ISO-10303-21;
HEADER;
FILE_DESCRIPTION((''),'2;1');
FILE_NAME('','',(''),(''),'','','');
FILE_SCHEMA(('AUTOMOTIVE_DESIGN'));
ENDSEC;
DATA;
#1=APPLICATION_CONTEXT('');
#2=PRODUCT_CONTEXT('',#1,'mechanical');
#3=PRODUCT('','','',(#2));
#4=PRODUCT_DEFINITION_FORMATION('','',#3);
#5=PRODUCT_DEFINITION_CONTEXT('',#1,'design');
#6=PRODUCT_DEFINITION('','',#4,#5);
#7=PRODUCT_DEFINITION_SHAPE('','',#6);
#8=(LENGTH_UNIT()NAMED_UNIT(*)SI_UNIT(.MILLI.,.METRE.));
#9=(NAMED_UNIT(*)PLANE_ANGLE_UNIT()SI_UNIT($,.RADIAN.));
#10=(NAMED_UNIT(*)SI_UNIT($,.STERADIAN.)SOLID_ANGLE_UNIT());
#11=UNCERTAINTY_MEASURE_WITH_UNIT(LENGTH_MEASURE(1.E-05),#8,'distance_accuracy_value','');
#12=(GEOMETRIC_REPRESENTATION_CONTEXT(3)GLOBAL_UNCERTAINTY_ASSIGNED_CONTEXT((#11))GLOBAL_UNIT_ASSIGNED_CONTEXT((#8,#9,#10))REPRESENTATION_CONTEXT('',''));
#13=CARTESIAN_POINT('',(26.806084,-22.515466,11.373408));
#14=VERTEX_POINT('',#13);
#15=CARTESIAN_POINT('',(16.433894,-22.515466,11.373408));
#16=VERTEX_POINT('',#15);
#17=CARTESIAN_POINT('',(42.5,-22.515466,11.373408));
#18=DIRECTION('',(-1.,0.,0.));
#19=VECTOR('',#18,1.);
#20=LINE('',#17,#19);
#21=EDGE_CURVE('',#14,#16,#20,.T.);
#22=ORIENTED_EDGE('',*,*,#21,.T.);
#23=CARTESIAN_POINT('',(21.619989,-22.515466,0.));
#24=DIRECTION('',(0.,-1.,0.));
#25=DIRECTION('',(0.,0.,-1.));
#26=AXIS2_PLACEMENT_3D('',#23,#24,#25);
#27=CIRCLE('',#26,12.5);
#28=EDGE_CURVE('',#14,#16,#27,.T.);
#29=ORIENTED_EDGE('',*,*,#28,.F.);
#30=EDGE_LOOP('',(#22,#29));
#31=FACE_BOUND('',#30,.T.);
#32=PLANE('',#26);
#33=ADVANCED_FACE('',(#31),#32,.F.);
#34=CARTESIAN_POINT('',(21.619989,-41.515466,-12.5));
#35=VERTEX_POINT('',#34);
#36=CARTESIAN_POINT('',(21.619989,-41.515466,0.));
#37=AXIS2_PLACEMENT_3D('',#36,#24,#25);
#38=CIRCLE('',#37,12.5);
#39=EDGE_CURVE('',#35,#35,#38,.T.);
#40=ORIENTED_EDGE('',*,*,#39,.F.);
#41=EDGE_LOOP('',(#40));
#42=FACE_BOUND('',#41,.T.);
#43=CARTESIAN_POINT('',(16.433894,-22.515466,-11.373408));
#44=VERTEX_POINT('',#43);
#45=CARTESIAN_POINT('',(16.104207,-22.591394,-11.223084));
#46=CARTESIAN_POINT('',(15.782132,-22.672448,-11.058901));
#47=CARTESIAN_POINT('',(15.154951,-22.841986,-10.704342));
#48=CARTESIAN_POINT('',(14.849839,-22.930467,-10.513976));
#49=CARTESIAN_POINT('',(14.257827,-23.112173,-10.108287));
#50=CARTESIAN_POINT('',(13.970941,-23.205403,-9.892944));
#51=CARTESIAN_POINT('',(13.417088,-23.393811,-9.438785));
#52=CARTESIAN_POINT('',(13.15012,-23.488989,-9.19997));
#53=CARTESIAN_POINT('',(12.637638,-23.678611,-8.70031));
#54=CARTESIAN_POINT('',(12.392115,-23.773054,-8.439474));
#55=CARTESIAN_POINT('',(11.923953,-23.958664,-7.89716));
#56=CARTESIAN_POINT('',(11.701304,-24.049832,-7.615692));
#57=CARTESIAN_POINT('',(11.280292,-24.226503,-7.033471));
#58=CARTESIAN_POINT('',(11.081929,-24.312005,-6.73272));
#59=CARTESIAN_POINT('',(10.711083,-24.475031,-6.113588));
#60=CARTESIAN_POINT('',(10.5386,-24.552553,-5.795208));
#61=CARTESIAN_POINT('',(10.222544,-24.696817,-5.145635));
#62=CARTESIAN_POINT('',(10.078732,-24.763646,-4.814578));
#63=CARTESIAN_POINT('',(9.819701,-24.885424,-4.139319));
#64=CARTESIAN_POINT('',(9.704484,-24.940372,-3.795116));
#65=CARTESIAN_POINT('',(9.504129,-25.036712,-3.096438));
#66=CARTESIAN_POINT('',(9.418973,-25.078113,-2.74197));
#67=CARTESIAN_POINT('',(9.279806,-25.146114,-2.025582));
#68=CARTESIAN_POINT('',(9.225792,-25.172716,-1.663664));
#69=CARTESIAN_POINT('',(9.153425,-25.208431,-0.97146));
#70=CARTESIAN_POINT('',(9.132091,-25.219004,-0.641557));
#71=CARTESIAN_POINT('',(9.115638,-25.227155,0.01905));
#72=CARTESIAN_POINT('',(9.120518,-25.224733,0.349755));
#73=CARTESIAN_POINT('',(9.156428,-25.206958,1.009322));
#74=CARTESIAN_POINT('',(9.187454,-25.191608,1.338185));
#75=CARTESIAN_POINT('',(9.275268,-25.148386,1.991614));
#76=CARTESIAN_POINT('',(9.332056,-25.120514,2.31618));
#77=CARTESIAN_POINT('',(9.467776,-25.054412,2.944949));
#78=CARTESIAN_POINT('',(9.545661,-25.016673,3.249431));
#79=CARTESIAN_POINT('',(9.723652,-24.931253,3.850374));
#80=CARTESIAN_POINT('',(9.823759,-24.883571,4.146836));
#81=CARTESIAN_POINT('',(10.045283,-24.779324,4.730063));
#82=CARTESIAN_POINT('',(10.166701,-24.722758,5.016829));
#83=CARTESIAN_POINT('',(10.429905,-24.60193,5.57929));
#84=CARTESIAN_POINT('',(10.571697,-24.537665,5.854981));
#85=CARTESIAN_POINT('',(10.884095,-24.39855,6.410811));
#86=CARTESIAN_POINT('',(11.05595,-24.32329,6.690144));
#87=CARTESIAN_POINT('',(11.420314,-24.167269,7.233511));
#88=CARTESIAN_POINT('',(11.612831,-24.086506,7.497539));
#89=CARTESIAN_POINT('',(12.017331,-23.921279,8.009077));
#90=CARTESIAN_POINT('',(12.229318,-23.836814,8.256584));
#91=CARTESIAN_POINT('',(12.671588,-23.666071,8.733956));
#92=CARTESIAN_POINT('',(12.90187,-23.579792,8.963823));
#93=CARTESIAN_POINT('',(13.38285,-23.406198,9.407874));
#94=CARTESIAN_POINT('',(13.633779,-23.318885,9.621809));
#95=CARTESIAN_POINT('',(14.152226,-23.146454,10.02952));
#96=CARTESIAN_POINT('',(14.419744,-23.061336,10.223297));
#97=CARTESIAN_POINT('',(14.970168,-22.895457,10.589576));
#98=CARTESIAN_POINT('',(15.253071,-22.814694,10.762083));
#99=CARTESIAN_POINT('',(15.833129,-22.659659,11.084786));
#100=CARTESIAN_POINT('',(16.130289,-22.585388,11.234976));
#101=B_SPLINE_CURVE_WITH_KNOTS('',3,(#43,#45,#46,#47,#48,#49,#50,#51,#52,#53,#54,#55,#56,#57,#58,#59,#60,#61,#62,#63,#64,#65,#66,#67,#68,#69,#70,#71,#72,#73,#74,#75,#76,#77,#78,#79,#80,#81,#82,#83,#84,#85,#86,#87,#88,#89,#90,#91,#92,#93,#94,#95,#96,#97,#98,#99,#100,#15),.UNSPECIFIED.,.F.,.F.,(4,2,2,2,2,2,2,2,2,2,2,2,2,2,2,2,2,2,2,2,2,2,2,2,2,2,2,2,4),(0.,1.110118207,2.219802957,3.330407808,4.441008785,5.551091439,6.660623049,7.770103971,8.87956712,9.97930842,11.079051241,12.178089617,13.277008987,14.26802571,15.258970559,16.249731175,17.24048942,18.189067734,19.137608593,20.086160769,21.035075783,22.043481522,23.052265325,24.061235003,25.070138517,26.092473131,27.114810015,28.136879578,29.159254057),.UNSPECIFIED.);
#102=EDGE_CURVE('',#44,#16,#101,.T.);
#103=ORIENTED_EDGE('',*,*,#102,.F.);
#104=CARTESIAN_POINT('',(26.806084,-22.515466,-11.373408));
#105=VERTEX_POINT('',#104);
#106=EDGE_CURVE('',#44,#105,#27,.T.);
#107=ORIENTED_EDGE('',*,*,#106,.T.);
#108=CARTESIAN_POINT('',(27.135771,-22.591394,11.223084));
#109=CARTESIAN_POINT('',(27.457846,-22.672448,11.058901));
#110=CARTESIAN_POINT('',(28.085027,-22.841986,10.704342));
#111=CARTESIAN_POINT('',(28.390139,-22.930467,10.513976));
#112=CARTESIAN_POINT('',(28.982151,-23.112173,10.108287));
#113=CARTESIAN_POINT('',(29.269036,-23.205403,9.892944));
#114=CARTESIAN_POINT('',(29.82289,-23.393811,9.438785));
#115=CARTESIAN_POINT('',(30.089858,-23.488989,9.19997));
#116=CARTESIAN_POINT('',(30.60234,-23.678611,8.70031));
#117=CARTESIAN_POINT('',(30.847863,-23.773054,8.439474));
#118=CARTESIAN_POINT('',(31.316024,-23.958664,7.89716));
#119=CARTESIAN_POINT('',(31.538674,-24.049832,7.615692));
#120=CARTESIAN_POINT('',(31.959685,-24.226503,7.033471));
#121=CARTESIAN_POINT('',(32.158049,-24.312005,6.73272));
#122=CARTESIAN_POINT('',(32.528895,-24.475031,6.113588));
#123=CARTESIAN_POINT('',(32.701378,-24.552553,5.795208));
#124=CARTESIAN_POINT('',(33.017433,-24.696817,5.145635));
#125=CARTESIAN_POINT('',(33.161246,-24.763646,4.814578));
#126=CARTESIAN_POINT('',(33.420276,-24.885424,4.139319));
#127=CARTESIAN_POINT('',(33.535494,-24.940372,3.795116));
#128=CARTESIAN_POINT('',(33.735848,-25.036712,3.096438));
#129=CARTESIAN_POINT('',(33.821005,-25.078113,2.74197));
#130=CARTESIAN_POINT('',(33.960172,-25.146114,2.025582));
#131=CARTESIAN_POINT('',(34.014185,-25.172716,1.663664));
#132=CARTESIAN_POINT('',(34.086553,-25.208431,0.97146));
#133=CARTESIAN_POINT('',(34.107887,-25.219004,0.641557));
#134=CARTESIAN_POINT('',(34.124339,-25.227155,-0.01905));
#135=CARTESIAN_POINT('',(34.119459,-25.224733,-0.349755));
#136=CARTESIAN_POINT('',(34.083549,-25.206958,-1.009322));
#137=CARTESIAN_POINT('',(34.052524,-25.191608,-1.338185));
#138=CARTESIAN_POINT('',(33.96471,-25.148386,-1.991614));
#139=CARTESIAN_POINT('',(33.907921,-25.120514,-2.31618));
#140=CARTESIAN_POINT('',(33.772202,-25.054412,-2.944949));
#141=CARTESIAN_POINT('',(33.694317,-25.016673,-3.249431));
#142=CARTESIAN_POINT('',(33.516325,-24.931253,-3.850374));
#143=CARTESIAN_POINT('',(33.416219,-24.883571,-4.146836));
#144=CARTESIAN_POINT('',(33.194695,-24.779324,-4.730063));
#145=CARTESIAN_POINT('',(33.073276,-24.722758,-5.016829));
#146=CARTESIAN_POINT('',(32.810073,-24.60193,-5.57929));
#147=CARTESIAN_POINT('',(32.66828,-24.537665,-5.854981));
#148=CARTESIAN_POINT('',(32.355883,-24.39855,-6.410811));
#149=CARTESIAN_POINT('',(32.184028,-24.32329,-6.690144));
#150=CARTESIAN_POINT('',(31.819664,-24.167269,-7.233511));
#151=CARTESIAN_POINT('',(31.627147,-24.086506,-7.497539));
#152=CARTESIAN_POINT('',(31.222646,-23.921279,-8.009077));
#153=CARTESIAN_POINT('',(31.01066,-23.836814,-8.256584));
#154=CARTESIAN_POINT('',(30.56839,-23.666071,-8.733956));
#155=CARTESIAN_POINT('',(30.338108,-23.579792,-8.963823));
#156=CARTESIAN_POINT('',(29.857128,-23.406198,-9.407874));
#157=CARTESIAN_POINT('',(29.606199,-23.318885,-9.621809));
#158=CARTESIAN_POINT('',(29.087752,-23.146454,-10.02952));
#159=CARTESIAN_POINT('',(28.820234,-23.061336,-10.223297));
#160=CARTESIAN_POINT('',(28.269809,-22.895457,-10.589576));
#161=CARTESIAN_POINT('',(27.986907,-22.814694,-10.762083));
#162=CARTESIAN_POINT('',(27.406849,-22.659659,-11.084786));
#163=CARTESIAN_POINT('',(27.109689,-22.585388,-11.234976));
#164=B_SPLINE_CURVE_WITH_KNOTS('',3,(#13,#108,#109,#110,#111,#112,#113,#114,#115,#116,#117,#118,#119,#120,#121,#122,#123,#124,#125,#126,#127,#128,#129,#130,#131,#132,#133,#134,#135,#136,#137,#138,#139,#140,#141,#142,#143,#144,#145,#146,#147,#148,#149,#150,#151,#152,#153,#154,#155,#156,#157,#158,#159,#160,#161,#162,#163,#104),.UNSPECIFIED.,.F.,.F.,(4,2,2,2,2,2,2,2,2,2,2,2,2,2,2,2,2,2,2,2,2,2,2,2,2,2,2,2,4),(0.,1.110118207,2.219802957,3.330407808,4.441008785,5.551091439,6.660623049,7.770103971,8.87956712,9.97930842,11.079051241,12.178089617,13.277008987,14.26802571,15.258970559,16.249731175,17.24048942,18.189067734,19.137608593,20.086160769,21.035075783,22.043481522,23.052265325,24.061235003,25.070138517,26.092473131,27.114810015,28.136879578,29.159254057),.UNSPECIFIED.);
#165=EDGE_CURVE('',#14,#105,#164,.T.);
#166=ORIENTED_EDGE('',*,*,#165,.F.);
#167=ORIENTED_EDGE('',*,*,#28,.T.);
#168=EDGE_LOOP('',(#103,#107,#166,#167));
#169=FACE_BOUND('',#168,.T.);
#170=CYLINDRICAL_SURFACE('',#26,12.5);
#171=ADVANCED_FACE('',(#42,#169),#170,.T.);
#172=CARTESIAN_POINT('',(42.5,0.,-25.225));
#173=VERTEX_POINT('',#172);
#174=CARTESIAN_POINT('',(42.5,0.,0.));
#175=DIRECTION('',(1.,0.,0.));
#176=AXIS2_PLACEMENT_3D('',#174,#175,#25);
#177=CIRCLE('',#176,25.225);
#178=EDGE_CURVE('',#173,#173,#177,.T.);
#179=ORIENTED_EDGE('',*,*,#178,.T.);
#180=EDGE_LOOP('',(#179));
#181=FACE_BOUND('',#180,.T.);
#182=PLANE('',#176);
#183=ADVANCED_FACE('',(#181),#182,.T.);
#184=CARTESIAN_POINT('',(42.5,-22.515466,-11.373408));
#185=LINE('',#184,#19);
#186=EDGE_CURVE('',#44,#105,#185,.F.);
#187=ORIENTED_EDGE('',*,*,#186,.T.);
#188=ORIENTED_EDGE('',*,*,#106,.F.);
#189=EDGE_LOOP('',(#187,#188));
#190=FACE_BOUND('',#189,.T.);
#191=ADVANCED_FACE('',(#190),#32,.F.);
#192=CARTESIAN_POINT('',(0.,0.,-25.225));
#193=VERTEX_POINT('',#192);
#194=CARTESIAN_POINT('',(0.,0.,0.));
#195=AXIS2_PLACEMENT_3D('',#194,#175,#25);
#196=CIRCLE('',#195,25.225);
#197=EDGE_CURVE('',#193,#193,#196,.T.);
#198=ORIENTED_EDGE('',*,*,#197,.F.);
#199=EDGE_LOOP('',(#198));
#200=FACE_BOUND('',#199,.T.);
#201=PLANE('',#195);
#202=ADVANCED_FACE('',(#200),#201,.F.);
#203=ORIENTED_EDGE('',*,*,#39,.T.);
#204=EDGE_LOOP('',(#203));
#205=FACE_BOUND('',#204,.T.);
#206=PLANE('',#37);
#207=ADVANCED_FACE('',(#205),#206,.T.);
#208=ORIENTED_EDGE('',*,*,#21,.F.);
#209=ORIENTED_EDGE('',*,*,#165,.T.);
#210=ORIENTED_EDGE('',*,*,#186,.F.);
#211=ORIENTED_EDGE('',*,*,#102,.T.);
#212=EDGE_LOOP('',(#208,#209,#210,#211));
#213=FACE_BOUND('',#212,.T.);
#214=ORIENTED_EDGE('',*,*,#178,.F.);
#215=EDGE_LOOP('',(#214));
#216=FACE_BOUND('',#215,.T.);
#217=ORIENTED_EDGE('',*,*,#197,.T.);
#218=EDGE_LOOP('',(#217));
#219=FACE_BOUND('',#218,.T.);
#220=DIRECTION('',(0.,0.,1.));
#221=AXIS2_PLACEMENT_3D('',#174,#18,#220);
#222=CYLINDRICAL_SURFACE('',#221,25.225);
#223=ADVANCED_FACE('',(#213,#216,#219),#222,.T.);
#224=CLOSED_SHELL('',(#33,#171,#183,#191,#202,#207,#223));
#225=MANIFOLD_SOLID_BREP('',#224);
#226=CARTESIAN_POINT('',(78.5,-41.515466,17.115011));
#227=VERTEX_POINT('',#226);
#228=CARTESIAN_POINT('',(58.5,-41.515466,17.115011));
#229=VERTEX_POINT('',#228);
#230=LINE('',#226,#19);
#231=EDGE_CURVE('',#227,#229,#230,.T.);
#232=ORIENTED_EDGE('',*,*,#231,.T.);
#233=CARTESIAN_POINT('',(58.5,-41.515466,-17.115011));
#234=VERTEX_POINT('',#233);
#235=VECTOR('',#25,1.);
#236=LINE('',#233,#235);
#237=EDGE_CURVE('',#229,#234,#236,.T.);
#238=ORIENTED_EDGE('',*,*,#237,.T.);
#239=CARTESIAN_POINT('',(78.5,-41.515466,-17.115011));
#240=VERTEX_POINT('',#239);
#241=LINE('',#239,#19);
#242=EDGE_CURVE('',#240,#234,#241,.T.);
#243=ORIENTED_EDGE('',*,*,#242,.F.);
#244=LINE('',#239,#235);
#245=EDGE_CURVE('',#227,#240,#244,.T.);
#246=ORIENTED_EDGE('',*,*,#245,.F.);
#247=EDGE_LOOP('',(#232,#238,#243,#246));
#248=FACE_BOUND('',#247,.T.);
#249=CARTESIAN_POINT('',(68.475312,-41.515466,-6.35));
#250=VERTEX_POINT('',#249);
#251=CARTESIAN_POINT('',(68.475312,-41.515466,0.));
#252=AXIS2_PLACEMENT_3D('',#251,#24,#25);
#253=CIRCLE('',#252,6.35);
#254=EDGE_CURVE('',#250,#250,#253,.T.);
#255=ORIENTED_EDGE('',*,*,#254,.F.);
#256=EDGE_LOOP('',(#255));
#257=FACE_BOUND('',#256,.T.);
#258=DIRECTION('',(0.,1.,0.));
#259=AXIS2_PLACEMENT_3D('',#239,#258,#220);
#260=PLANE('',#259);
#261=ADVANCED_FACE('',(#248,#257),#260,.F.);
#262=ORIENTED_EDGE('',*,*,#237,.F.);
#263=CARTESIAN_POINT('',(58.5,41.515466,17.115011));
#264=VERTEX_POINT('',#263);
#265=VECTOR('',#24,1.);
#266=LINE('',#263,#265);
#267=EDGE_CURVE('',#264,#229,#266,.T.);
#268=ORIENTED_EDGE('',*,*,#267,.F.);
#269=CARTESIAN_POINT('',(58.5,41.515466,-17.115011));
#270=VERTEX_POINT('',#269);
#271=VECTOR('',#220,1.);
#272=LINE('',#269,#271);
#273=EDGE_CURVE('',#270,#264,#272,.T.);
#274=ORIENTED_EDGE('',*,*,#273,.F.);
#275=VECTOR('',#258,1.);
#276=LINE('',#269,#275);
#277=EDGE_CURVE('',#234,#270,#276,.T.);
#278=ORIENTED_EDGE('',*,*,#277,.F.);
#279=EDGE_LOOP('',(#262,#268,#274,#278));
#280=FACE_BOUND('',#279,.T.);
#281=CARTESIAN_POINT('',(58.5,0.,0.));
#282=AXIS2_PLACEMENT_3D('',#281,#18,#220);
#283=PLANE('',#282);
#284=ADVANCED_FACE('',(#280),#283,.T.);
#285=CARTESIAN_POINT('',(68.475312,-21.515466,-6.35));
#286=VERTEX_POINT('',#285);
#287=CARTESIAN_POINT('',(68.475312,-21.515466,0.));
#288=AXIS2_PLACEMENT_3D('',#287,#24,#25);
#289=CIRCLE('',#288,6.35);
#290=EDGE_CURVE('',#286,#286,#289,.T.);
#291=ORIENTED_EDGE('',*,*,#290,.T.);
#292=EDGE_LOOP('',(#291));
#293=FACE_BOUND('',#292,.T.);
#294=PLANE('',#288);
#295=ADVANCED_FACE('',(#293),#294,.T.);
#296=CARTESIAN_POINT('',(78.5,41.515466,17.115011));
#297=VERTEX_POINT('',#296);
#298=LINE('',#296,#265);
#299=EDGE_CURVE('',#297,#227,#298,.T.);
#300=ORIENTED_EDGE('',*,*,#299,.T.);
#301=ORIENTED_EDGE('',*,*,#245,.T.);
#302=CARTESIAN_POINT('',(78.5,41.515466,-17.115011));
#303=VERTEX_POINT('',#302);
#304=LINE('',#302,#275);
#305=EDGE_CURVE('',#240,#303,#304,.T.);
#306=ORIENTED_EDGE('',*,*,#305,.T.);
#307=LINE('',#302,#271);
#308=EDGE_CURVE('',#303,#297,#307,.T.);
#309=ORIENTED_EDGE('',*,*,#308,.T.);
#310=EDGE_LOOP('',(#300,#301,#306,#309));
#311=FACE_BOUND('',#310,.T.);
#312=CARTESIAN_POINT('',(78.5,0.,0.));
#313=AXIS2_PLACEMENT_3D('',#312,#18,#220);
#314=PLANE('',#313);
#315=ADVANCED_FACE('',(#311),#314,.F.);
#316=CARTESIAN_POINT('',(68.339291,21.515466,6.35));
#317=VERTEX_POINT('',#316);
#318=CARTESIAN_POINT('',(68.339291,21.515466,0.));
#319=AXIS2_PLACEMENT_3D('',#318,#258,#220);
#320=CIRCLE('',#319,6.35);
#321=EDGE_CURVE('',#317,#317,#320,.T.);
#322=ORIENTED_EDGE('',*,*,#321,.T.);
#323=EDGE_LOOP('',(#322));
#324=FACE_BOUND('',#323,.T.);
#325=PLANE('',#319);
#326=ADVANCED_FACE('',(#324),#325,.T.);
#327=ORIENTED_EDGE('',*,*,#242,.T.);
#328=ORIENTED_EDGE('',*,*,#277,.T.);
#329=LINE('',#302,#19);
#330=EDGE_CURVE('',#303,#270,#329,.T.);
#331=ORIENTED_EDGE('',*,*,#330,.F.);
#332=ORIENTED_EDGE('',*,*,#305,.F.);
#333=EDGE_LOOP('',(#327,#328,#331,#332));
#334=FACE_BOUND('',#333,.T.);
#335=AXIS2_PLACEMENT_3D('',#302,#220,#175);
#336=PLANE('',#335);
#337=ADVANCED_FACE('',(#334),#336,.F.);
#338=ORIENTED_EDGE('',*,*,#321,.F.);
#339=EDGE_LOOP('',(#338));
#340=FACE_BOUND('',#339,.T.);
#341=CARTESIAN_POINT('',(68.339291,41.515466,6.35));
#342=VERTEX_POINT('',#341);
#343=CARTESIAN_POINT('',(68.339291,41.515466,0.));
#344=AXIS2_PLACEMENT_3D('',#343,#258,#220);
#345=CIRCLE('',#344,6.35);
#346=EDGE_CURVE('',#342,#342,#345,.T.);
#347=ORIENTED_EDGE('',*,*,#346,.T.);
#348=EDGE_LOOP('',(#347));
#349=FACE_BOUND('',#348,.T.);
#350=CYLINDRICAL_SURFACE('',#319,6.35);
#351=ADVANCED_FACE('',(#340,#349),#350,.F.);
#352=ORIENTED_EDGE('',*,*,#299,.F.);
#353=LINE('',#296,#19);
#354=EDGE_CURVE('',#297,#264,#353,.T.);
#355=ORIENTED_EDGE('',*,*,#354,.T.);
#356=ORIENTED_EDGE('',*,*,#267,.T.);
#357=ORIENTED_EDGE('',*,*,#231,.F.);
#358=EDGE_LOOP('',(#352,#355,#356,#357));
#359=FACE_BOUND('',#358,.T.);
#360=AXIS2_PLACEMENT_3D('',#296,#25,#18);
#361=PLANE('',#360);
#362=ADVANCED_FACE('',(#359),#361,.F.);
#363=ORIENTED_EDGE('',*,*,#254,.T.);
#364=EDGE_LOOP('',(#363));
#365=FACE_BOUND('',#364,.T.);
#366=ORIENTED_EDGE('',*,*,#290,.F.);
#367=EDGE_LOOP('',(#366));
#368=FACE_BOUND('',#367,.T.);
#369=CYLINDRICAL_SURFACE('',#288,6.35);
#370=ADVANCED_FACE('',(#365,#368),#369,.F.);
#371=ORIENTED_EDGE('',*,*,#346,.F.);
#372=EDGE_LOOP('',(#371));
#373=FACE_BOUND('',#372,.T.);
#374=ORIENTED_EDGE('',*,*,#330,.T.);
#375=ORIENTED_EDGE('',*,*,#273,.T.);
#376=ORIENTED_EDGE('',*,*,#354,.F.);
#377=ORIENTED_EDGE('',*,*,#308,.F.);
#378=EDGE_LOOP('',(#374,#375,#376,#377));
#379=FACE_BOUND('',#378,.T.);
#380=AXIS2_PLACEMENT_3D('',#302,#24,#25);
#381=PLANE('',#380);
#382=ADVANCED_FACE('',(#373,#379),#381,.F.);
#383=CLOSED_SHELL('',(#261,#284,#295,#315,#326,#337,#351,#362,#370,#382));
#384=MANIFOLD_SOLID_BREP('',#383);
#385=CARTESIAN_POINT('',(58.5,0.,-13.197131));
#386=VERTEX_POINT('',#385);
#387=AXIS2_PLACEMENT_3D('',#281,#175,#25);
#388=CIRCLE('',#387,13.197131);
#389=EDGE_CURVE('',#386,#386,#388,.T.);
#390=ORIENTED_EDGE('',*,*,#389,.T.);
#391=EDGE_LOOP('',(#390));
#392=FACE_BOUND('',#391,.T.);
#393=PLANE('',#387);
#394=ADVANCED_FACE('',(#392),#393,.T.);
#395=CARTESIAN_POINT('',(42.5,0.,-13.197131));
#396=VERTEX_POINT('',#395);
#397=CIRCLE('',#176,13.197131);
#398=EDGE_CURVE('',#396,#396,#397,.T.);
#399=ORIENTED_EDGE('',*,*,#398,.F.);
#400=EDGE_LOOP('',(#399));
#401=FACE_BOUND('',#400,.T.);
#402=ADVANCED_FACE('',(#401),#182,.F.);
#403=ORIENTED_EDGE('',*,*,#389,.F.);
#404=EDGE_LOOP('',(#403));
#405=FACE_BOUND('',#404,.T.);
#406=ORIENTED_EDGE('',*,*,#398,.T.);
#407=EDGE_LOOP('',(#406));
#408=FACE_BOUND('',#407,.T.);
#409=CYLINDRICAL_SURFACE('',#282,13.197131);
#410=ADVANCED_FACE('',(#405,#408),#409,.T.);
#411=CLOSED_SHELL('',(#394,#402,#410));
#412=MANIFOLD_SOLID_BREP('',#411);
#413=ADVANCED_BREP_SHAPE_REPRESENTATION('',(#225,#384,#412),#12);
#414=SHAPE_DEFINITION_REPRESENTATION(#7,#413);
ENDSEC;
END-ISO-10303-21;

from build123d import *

# Parameters (mm, degrees)
SKETCH2_R           = 25.225
BOSS_EXTRUDE1_DEPTH = 42.5
SKETCH3_R           = 13.197131212
BOSS_EXTRUDE2_DEPTH = 16
SKETCH4_W           = 34.230022124
SKETCH4_H           = 83.030932044
BOSS_EXTRUDE3_DEPTH = 20
SKETCH6_R           = 6.35
CUT_EXTRUDE1_DEPTH  = 20
SKETCH7_R           = 6.35
CUT_EXTRUDE2_DEPTH  = 20
SKETCH8_R           = 12.5
BOSS_EXTRUDE4_DEPTH = 19


with BuildPart() as part:
    # Sketch2 → Boss-Extrude1 (new body)
    with BuildSketch(Plane(origin=(0, 0, 0), x_dir=(0, 0, -1), z_dir=(1, 0, 0))):
        Circle(SKETCH2_R)
    extrude(amount=BOSS_EXTRUDE1_DEPTH)

    # Sketch8 → Boss-Extrude4 (add)
    with BuildSketch(Plane.XZ.offset(41.515466022)):
        with Locations(Location((21.61998888, 0, 0), (0, 0, 270))):
            Circle(SKETCH8_R)
    extrude(amount=-BOSS_EXTRUDE4_DEPTH)


with BuildPart() as body_2:
    # Sketch3 → Boss-Extrude2 (new body)
    with BuildSketch(Plane(origin=(42.5, 0, 0), x_dir=(0, 0, -1), z_dir=(1, 0, 0))):
        Circle(SKETCH3_R)
    extrude(amount=BOSS_EXTRUDE2_DEPTH)


with BuildPart() as body_3:
    # Sketch4 → Boss-Extrude3 (new body)
    with BuildSketch(Plane(origin=(58.5, 0, 0), x_dir=(0, 0, -1), z_dir=(1, 0, 0))):
        Rectangle(SKETCH4_W, SKETCH4_H)
    extrude(amount=BOSS_EXTRUDE3_DEPTH)

    # Sketch6 → Cut-Extrude1 (cut)
    with BuildSketch(Plane(origin=(0, 41.515466022, 0), x_dir=(1, 0, 0), z_dir=(0, 1, 0))):
        with Locations(Location((68.339291029, 0, 0), (0, 0, 270))):
            Circle(SKETCH6_R)
    extrude(amount=-CUT_EXTRUDE1_DEPTH, mode=Mode.SUBTRACT)

    # Sketch7 → Cut-Extrude2 (cut)
    with BuildSketch(Plane.XZ.offset(41.515466022)):
        with Locations(Location((68.475312175, 0, 0), (0, 0, 270))):
            Circle(SKETCH7_R)
    extrude(amount=-CUT_EXTRUDE2_DEPTH, mode=Mode.SUBTRACT)


solid = Compound([part.part, body_2.part, body_3.part])
